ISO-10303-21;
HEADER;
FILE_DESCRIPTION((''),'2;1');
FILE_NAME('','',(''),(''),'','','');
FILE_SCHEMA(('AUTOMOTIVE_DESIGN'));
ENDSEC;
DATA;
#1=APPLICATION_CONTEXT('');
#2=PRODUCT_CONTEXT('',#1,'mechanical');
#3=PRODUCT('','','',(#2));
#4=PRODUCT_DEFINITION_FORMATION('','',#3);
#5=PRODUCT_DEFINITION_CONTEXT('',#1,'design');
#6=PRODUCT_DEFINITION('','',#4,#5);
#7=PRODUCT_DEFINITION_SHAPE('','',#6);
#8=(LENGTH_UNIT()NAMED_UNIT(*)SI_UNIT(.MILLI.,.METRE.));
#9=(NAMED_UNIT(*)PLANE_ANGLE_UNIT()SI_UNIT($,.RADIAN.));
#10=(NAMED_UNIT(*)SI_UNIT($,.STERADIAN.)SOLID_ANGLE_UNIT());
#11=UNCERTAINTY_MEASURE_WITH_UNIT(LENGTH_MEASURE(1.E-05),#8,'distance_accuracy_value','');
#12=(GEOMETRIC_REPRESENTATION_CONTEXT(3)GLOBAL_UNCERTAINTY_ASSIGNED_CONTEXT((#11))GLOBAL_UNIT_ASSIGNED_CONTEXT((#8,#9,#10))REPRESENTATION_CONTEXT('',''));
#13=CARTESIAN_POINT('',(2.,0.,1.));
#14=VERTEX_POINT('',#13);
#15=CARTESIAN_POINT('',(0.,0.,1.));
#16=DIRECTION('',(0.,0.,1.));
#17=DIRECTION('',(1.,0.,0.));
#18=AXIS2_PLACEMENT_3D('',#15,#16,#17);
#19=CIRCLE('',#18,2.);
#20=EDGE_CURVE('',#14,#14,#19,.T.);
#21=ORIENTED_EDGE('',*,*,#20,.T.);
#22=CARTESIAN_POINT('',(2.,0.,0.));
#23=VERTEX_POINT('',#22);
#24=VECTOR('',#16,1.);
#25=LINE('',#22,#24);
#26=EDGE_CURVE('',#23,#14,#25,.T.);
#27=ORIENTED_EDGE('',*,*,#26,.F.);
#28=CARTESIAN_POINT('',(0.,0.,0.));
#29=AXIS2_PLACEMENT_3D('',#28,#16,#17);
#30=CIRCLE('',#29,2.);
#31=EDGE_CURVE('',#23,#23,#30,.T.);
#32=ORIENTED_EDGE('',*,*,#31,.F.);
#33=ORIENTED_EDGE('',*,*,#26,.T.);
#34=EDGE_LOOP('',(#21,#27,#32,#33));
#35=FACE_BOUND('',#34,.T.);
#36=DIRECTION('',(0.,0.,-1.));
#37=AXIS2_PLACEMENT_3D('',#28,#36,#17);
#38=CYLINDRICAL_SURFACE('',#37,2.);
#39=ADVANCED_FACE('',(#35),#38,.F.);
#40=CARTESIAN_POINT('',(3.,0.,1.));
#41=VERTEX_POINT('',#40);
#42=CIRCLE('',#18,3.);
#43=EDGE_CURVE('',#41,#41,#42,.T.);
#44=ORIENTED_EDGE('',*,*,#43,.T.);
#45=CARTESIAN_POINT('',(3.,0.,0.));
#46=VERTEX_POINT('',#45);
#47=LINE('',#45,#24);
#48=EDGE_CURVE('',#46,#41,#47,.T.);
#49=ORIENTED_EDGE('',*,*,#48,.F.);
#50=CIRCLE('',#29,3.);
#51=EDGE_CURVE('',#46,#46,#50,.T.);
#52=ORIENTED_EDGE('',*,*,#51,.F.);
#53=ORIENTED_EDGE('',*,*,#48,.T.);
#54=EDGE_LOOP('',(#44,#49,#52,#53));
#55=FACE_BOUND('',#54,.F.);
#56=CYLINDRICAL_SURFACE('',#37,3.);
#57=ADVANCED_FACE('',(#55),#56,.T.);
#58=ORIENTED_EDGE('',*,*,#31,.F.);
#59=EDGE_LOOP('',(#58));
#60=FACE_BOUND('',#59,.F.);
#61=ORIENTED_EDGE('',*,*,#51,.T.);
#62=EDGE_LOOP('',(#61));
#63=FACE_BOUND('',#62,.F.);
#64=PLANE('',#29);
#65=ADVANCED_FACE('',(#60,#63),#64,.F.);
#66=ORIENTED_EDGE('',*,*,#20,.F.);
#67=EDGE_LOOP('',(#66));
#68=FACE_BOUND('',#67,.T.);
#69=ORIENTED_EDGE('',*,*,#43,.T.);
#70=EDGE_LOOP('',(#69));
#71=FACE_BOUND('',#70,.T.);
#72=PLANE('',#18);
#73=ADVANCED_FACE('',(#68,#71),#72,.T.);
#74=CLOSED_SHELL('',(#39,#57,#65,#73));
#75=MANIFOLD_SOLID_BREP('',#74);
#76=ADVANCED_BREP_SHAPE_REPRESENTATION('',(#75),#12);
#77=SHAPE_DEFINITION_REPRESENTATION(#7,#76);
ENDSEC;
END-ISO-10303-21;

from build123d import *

# Parameters (mm, degrees)
SKETCH_R   = 3
SKETCH_R_2 = 2
PAD_DEPTH  = 1


with BuildPart() as part:
    # Sketch → Pad (new body)
    with BuildSketch(Plane.XY):
        Circle(SKETCH_R)
        Circle(SKETCH_R_2, mode=Mode.SUBTRACT)
    extrude(amount=PAD_DEPTH)


solid = part.part
